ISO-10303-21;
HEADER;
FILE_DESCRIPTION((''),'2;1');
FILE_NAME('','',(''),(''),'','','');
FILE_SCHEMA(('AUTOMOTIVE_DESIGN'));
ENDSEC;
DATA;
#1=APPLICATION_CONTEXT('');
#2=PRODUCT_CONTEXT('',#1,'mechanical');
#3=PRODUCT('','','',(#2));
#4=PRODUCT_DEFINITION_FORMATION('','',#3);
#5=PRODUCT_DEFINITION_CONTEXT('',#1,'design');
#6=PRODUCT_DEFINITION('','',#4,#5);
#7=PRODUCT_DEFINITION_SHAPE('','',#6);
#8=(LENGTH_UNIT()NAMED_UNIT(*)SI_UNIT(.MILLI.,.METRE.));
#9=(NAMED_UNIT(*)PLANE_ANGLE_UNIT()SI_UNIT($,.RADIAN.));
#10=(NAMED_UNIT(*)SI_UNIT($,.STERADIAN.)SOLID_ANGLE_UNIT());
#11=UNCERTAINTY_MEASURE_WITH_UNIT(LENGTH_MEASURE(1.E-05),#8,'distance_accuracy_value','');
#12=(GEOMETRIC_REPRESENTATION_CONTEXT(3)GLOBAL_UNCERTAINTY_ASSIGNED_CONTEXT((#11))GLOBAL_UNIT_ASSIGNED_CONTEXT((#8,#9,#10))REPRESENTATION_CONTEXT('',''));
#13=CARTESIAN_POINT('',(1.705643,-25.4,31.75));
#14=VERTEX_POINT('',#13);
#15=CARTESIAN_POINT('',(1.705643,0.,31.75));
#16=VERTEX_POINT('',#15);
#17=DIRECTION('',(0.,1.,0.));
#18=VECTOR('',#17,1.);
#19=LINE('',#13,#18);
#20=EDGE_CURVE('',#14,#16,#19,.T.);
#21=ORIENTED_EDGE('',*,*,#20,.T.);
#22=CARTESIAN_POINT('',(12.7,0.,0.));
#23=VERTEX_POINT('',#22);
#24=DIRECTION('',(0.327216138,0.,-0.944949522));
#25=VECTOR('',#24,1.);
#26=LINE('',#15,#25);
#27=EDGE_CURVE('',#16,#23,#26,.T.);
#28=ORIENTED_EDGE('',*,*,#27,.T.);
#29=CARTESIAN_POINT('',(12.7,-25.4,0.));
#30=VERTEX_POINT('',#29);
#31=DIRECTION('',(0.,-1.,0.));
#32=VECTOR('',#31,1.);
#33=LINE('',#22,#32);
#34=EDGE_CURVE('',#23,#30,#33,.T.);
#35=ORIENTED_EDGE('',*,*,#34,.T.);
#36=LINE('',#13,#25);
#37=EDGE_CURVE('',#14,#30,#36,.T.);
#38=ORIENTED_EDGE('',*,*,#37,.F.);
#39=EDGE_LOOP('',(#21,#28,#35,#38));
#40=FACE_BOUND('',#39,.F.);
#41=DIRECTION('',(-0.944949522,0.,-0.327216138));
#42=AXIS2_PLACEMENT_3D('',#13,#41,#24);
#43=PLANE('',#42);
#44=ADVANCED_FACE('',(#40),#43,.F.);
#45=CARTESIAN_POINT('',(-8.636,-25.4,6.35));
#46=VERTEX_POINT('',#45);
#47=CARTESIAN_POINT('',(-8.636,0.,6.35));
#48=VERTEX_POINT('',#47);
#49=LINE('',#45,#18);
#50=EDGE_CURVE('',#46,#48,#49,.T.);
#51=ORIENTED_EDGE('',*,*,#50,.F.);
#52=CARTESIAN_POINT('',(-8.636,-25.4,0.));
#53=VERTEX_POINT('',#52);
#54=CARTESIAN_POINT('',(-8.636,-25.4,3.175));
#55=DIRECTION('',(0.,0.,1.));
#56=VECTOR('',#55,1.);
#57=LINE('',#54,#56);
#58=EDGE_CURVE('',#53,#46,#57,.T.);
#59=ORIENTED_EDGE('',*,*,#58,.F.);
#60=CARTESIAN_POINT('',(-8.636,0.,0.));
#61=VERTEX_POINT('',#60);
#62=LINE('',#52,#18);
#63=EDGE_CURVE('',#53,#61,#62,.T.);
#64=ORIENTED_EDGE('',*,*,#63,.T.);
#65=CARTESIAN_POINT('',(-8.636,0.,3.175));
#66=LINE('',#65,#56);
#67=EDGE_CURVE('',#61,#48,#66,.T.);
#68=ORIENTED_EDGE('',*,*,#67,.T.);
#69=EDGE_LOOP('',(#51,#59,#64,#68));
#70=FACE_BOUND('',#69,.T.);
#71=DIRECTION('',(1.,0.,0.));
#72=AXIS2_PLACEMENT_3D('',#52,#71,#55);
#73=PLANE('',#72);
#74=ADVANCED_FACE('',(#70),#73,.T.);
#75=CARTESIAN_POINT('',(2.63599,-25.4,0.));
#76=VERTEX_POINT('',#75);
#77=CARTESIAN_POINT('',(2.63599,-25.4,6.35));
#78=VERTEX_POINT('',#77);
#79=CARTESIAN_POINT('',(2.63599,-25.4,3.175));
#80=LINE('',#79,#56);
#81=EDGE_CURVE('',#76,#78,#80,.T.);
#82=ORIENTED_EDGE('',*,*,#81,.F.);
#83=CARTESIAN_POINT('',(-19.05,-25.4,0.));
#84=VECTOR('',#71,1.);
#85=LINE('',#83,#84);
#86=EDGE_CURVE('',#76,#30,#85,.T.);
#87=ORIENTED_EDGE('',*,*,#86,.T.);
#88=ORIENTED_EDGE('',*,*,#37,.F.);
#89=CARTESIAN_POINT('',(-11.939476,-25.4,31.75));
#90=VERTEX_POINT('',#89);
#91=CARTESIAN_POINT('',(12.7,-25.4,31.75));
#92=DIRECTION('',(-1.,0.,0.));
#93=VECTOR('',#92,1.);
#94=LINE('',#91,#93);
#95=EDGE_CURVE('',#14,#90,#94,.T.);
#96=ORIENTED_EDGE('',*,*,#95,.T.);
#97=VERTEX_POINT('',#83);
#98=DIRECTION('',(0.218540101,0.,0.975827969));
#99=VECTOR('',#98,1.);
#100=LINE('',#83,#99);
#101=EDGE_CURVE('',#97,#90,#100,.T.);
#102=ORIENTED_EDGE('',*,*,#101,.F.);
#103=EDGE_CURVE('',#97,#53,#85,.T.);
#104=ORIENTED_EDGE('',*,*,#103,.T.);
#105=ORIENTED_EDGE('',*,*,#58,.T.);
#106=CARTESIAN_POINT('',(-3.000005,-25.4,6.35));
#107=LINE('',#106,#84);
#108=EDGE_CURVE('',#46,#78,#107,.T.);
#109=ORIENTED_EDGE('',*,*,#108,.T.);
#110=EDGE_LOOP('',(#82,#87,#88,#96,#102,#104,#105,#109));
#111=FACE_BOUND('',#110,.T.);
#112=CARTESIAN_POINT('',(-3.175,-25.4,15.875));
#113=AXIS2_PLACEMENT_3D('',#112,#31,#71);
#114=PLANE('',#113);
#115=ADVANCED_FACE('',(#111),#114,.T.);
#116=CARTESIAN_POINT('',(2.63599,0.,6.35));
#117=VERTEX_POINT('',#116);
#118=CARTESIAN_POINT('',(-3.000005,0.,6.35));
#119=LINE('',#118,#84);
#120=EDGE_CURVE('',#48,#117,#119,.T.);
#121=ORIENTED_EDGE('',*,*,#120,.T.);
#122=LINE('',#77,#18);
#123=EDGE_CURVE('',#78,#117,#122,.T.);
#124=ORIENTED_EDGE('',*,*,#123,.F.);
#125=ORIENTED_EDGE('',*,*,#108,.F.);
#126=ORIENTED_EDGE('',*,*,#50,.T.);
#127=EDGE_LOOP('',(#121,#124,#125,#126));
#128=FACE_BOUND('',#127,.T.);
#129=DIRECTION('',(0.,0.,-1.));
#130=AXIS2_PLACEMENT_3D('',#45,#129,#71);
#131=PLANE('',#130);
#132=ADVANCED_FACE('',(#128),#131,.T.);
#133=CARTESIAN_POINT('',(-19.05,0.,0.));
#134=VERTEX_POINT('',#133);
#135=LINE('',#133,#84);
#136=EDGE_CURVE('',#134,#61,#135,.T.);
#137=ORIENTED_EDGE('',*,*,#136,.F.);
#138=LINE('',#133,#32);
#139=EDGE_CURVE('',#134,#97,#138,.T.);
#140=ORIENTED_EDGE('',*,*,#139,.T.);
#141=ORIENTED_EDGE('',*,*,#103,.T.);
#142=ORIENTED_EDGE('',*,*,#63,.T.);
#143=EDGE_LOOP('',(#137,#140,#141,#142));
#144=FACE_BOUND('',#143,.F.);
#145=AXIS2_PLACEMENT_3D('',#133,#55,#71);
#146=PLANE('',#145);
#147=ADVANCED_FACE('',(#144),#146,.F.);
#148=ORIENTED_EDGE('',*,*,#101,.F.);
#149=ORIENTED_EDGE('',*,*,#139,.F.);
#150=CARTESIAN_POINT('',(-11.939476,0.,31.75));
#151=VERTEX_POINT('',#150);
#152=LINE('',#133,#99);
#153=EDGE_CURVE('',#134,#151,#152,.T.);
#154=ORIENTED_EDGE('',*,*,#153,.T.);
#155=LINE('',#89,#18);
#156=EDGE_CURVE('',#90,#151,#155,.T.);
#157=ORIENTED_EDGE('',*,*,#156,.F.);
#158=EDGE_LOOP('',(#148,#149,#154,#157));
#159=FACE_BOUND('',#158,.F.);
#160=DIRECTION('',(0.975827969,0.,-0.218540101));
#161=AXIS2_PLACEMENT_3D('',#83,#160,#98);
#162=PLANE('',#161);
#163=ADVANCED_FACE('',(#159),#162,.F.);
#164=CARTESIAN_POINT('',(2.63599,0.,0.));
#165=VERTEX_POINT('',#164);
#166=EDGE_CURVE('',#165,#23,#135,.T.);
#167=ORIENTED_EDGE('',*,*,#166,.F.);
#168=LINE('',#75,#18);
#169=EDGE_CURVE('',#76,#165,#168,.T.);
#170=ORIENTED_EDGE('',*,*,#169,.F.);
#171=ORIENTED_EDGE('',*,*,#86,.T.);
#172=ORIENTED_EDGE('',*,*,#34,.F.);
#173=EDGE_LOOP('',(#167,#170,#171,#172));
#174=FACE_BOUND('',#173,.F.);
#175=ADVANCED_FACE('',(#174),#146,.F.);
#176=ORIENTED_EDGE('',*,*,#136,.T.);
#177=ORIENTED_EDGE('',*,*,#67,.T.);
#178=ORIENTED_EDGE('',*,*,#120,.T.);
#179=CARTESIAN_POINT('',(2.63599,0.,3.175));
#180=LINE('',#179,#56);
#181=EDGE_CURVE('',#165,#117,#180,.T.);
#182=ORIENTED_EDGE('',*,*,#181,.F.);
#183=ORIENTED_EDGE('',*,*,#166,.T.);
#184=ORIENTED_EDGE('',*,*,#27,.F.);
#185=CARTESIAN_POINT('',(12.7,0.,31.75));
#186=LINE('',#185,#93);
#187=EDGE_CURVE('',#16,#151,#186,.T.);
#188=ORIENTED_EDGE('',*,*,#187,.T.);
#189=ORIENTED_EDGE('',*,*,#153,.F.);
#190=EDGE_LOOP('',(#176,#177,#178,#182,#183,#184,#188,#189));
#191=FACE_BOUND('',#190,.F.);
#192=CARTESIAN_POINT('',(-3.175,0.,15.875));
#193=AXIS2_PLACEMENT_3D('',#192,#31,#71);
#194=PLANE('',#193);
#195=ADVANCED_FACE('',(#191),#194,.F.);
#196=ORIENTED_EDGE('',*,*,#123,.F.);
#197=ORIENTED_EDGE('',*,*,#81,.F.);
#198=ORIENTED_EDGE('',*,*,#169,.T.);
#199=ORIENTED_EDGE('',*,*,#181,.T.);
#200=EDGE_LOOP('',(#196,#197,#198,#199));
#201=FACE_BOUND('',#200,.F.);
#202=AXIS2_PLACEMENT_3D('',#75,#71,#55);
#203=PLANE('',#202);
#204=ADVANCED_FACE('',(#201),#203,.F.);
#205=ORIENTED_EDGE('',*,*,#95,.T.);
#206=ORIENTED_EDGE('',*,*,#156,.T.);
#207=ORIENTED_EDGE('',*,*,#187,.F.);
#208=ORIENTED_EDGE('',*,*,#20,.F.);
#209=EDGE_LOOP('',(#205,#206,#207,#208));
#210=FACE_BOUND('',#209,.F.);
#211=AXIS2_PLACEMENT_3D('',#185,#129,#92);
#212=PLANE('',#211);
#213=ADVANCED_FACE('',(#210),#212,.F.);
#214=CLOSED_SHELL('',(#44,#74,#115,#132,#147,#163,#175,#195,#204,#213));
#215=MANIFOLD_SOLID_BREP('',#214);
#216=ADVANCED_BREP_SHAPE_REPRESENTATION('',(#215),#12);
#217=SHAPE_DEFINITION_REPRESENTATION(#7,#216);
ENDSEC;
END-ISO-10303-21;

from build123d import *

# Parameters (mm, degrees)
F1_DEPTH = 25.4
F3_DEPTH = 25.4
F5_DEPTH = 25.4
F6_W     = 11.27199
F6_H     = 6.35
F7_DEPTH = 25.4


with BuildPart() as f1:
    # F0 (on Front) → F1 (new body)
    with BuildSketch(Plane.XZ):
        Polygon((-19.05, 0), (0, 0), (12.7, 0), (12.7, 31.75), (-19.05, 31.75), align=None)
    extrude(amount=F1_DEPTH)

    # F2 (on face) → F3 (cut)
    with BuildSketch(Plane.XZ.offset(25.4)):
        Polygon((12.7, 0), (12.7, 31.75), (1.705643, 31.75), align=None)
    extrude(amount=-F3_DEPTH, mode=Mode.SUBTRACT)

    # F4 (on face) → F5 (cut)
    with BuildSketch(Plane.XZ.offset(25.4)):
        Polygon((-11.939476, 31.75), (-19.05, 31.75), (-19.05, 0), align=None)
    extrude(amount=-F5_DEPTH, mode=Mode.SUBTRACT)

    # F6 (on face) → F7 (cut)
    with BuildSketch(Plane.XZ.offset(25.4)):
        with Locations((-3.000005, 3.175)):
            Rectangle(F6_W, F6_H)
    extrude(amount=-F7_DEPTH, mode=Mode.SUBTRACT)


solid = f1.part
